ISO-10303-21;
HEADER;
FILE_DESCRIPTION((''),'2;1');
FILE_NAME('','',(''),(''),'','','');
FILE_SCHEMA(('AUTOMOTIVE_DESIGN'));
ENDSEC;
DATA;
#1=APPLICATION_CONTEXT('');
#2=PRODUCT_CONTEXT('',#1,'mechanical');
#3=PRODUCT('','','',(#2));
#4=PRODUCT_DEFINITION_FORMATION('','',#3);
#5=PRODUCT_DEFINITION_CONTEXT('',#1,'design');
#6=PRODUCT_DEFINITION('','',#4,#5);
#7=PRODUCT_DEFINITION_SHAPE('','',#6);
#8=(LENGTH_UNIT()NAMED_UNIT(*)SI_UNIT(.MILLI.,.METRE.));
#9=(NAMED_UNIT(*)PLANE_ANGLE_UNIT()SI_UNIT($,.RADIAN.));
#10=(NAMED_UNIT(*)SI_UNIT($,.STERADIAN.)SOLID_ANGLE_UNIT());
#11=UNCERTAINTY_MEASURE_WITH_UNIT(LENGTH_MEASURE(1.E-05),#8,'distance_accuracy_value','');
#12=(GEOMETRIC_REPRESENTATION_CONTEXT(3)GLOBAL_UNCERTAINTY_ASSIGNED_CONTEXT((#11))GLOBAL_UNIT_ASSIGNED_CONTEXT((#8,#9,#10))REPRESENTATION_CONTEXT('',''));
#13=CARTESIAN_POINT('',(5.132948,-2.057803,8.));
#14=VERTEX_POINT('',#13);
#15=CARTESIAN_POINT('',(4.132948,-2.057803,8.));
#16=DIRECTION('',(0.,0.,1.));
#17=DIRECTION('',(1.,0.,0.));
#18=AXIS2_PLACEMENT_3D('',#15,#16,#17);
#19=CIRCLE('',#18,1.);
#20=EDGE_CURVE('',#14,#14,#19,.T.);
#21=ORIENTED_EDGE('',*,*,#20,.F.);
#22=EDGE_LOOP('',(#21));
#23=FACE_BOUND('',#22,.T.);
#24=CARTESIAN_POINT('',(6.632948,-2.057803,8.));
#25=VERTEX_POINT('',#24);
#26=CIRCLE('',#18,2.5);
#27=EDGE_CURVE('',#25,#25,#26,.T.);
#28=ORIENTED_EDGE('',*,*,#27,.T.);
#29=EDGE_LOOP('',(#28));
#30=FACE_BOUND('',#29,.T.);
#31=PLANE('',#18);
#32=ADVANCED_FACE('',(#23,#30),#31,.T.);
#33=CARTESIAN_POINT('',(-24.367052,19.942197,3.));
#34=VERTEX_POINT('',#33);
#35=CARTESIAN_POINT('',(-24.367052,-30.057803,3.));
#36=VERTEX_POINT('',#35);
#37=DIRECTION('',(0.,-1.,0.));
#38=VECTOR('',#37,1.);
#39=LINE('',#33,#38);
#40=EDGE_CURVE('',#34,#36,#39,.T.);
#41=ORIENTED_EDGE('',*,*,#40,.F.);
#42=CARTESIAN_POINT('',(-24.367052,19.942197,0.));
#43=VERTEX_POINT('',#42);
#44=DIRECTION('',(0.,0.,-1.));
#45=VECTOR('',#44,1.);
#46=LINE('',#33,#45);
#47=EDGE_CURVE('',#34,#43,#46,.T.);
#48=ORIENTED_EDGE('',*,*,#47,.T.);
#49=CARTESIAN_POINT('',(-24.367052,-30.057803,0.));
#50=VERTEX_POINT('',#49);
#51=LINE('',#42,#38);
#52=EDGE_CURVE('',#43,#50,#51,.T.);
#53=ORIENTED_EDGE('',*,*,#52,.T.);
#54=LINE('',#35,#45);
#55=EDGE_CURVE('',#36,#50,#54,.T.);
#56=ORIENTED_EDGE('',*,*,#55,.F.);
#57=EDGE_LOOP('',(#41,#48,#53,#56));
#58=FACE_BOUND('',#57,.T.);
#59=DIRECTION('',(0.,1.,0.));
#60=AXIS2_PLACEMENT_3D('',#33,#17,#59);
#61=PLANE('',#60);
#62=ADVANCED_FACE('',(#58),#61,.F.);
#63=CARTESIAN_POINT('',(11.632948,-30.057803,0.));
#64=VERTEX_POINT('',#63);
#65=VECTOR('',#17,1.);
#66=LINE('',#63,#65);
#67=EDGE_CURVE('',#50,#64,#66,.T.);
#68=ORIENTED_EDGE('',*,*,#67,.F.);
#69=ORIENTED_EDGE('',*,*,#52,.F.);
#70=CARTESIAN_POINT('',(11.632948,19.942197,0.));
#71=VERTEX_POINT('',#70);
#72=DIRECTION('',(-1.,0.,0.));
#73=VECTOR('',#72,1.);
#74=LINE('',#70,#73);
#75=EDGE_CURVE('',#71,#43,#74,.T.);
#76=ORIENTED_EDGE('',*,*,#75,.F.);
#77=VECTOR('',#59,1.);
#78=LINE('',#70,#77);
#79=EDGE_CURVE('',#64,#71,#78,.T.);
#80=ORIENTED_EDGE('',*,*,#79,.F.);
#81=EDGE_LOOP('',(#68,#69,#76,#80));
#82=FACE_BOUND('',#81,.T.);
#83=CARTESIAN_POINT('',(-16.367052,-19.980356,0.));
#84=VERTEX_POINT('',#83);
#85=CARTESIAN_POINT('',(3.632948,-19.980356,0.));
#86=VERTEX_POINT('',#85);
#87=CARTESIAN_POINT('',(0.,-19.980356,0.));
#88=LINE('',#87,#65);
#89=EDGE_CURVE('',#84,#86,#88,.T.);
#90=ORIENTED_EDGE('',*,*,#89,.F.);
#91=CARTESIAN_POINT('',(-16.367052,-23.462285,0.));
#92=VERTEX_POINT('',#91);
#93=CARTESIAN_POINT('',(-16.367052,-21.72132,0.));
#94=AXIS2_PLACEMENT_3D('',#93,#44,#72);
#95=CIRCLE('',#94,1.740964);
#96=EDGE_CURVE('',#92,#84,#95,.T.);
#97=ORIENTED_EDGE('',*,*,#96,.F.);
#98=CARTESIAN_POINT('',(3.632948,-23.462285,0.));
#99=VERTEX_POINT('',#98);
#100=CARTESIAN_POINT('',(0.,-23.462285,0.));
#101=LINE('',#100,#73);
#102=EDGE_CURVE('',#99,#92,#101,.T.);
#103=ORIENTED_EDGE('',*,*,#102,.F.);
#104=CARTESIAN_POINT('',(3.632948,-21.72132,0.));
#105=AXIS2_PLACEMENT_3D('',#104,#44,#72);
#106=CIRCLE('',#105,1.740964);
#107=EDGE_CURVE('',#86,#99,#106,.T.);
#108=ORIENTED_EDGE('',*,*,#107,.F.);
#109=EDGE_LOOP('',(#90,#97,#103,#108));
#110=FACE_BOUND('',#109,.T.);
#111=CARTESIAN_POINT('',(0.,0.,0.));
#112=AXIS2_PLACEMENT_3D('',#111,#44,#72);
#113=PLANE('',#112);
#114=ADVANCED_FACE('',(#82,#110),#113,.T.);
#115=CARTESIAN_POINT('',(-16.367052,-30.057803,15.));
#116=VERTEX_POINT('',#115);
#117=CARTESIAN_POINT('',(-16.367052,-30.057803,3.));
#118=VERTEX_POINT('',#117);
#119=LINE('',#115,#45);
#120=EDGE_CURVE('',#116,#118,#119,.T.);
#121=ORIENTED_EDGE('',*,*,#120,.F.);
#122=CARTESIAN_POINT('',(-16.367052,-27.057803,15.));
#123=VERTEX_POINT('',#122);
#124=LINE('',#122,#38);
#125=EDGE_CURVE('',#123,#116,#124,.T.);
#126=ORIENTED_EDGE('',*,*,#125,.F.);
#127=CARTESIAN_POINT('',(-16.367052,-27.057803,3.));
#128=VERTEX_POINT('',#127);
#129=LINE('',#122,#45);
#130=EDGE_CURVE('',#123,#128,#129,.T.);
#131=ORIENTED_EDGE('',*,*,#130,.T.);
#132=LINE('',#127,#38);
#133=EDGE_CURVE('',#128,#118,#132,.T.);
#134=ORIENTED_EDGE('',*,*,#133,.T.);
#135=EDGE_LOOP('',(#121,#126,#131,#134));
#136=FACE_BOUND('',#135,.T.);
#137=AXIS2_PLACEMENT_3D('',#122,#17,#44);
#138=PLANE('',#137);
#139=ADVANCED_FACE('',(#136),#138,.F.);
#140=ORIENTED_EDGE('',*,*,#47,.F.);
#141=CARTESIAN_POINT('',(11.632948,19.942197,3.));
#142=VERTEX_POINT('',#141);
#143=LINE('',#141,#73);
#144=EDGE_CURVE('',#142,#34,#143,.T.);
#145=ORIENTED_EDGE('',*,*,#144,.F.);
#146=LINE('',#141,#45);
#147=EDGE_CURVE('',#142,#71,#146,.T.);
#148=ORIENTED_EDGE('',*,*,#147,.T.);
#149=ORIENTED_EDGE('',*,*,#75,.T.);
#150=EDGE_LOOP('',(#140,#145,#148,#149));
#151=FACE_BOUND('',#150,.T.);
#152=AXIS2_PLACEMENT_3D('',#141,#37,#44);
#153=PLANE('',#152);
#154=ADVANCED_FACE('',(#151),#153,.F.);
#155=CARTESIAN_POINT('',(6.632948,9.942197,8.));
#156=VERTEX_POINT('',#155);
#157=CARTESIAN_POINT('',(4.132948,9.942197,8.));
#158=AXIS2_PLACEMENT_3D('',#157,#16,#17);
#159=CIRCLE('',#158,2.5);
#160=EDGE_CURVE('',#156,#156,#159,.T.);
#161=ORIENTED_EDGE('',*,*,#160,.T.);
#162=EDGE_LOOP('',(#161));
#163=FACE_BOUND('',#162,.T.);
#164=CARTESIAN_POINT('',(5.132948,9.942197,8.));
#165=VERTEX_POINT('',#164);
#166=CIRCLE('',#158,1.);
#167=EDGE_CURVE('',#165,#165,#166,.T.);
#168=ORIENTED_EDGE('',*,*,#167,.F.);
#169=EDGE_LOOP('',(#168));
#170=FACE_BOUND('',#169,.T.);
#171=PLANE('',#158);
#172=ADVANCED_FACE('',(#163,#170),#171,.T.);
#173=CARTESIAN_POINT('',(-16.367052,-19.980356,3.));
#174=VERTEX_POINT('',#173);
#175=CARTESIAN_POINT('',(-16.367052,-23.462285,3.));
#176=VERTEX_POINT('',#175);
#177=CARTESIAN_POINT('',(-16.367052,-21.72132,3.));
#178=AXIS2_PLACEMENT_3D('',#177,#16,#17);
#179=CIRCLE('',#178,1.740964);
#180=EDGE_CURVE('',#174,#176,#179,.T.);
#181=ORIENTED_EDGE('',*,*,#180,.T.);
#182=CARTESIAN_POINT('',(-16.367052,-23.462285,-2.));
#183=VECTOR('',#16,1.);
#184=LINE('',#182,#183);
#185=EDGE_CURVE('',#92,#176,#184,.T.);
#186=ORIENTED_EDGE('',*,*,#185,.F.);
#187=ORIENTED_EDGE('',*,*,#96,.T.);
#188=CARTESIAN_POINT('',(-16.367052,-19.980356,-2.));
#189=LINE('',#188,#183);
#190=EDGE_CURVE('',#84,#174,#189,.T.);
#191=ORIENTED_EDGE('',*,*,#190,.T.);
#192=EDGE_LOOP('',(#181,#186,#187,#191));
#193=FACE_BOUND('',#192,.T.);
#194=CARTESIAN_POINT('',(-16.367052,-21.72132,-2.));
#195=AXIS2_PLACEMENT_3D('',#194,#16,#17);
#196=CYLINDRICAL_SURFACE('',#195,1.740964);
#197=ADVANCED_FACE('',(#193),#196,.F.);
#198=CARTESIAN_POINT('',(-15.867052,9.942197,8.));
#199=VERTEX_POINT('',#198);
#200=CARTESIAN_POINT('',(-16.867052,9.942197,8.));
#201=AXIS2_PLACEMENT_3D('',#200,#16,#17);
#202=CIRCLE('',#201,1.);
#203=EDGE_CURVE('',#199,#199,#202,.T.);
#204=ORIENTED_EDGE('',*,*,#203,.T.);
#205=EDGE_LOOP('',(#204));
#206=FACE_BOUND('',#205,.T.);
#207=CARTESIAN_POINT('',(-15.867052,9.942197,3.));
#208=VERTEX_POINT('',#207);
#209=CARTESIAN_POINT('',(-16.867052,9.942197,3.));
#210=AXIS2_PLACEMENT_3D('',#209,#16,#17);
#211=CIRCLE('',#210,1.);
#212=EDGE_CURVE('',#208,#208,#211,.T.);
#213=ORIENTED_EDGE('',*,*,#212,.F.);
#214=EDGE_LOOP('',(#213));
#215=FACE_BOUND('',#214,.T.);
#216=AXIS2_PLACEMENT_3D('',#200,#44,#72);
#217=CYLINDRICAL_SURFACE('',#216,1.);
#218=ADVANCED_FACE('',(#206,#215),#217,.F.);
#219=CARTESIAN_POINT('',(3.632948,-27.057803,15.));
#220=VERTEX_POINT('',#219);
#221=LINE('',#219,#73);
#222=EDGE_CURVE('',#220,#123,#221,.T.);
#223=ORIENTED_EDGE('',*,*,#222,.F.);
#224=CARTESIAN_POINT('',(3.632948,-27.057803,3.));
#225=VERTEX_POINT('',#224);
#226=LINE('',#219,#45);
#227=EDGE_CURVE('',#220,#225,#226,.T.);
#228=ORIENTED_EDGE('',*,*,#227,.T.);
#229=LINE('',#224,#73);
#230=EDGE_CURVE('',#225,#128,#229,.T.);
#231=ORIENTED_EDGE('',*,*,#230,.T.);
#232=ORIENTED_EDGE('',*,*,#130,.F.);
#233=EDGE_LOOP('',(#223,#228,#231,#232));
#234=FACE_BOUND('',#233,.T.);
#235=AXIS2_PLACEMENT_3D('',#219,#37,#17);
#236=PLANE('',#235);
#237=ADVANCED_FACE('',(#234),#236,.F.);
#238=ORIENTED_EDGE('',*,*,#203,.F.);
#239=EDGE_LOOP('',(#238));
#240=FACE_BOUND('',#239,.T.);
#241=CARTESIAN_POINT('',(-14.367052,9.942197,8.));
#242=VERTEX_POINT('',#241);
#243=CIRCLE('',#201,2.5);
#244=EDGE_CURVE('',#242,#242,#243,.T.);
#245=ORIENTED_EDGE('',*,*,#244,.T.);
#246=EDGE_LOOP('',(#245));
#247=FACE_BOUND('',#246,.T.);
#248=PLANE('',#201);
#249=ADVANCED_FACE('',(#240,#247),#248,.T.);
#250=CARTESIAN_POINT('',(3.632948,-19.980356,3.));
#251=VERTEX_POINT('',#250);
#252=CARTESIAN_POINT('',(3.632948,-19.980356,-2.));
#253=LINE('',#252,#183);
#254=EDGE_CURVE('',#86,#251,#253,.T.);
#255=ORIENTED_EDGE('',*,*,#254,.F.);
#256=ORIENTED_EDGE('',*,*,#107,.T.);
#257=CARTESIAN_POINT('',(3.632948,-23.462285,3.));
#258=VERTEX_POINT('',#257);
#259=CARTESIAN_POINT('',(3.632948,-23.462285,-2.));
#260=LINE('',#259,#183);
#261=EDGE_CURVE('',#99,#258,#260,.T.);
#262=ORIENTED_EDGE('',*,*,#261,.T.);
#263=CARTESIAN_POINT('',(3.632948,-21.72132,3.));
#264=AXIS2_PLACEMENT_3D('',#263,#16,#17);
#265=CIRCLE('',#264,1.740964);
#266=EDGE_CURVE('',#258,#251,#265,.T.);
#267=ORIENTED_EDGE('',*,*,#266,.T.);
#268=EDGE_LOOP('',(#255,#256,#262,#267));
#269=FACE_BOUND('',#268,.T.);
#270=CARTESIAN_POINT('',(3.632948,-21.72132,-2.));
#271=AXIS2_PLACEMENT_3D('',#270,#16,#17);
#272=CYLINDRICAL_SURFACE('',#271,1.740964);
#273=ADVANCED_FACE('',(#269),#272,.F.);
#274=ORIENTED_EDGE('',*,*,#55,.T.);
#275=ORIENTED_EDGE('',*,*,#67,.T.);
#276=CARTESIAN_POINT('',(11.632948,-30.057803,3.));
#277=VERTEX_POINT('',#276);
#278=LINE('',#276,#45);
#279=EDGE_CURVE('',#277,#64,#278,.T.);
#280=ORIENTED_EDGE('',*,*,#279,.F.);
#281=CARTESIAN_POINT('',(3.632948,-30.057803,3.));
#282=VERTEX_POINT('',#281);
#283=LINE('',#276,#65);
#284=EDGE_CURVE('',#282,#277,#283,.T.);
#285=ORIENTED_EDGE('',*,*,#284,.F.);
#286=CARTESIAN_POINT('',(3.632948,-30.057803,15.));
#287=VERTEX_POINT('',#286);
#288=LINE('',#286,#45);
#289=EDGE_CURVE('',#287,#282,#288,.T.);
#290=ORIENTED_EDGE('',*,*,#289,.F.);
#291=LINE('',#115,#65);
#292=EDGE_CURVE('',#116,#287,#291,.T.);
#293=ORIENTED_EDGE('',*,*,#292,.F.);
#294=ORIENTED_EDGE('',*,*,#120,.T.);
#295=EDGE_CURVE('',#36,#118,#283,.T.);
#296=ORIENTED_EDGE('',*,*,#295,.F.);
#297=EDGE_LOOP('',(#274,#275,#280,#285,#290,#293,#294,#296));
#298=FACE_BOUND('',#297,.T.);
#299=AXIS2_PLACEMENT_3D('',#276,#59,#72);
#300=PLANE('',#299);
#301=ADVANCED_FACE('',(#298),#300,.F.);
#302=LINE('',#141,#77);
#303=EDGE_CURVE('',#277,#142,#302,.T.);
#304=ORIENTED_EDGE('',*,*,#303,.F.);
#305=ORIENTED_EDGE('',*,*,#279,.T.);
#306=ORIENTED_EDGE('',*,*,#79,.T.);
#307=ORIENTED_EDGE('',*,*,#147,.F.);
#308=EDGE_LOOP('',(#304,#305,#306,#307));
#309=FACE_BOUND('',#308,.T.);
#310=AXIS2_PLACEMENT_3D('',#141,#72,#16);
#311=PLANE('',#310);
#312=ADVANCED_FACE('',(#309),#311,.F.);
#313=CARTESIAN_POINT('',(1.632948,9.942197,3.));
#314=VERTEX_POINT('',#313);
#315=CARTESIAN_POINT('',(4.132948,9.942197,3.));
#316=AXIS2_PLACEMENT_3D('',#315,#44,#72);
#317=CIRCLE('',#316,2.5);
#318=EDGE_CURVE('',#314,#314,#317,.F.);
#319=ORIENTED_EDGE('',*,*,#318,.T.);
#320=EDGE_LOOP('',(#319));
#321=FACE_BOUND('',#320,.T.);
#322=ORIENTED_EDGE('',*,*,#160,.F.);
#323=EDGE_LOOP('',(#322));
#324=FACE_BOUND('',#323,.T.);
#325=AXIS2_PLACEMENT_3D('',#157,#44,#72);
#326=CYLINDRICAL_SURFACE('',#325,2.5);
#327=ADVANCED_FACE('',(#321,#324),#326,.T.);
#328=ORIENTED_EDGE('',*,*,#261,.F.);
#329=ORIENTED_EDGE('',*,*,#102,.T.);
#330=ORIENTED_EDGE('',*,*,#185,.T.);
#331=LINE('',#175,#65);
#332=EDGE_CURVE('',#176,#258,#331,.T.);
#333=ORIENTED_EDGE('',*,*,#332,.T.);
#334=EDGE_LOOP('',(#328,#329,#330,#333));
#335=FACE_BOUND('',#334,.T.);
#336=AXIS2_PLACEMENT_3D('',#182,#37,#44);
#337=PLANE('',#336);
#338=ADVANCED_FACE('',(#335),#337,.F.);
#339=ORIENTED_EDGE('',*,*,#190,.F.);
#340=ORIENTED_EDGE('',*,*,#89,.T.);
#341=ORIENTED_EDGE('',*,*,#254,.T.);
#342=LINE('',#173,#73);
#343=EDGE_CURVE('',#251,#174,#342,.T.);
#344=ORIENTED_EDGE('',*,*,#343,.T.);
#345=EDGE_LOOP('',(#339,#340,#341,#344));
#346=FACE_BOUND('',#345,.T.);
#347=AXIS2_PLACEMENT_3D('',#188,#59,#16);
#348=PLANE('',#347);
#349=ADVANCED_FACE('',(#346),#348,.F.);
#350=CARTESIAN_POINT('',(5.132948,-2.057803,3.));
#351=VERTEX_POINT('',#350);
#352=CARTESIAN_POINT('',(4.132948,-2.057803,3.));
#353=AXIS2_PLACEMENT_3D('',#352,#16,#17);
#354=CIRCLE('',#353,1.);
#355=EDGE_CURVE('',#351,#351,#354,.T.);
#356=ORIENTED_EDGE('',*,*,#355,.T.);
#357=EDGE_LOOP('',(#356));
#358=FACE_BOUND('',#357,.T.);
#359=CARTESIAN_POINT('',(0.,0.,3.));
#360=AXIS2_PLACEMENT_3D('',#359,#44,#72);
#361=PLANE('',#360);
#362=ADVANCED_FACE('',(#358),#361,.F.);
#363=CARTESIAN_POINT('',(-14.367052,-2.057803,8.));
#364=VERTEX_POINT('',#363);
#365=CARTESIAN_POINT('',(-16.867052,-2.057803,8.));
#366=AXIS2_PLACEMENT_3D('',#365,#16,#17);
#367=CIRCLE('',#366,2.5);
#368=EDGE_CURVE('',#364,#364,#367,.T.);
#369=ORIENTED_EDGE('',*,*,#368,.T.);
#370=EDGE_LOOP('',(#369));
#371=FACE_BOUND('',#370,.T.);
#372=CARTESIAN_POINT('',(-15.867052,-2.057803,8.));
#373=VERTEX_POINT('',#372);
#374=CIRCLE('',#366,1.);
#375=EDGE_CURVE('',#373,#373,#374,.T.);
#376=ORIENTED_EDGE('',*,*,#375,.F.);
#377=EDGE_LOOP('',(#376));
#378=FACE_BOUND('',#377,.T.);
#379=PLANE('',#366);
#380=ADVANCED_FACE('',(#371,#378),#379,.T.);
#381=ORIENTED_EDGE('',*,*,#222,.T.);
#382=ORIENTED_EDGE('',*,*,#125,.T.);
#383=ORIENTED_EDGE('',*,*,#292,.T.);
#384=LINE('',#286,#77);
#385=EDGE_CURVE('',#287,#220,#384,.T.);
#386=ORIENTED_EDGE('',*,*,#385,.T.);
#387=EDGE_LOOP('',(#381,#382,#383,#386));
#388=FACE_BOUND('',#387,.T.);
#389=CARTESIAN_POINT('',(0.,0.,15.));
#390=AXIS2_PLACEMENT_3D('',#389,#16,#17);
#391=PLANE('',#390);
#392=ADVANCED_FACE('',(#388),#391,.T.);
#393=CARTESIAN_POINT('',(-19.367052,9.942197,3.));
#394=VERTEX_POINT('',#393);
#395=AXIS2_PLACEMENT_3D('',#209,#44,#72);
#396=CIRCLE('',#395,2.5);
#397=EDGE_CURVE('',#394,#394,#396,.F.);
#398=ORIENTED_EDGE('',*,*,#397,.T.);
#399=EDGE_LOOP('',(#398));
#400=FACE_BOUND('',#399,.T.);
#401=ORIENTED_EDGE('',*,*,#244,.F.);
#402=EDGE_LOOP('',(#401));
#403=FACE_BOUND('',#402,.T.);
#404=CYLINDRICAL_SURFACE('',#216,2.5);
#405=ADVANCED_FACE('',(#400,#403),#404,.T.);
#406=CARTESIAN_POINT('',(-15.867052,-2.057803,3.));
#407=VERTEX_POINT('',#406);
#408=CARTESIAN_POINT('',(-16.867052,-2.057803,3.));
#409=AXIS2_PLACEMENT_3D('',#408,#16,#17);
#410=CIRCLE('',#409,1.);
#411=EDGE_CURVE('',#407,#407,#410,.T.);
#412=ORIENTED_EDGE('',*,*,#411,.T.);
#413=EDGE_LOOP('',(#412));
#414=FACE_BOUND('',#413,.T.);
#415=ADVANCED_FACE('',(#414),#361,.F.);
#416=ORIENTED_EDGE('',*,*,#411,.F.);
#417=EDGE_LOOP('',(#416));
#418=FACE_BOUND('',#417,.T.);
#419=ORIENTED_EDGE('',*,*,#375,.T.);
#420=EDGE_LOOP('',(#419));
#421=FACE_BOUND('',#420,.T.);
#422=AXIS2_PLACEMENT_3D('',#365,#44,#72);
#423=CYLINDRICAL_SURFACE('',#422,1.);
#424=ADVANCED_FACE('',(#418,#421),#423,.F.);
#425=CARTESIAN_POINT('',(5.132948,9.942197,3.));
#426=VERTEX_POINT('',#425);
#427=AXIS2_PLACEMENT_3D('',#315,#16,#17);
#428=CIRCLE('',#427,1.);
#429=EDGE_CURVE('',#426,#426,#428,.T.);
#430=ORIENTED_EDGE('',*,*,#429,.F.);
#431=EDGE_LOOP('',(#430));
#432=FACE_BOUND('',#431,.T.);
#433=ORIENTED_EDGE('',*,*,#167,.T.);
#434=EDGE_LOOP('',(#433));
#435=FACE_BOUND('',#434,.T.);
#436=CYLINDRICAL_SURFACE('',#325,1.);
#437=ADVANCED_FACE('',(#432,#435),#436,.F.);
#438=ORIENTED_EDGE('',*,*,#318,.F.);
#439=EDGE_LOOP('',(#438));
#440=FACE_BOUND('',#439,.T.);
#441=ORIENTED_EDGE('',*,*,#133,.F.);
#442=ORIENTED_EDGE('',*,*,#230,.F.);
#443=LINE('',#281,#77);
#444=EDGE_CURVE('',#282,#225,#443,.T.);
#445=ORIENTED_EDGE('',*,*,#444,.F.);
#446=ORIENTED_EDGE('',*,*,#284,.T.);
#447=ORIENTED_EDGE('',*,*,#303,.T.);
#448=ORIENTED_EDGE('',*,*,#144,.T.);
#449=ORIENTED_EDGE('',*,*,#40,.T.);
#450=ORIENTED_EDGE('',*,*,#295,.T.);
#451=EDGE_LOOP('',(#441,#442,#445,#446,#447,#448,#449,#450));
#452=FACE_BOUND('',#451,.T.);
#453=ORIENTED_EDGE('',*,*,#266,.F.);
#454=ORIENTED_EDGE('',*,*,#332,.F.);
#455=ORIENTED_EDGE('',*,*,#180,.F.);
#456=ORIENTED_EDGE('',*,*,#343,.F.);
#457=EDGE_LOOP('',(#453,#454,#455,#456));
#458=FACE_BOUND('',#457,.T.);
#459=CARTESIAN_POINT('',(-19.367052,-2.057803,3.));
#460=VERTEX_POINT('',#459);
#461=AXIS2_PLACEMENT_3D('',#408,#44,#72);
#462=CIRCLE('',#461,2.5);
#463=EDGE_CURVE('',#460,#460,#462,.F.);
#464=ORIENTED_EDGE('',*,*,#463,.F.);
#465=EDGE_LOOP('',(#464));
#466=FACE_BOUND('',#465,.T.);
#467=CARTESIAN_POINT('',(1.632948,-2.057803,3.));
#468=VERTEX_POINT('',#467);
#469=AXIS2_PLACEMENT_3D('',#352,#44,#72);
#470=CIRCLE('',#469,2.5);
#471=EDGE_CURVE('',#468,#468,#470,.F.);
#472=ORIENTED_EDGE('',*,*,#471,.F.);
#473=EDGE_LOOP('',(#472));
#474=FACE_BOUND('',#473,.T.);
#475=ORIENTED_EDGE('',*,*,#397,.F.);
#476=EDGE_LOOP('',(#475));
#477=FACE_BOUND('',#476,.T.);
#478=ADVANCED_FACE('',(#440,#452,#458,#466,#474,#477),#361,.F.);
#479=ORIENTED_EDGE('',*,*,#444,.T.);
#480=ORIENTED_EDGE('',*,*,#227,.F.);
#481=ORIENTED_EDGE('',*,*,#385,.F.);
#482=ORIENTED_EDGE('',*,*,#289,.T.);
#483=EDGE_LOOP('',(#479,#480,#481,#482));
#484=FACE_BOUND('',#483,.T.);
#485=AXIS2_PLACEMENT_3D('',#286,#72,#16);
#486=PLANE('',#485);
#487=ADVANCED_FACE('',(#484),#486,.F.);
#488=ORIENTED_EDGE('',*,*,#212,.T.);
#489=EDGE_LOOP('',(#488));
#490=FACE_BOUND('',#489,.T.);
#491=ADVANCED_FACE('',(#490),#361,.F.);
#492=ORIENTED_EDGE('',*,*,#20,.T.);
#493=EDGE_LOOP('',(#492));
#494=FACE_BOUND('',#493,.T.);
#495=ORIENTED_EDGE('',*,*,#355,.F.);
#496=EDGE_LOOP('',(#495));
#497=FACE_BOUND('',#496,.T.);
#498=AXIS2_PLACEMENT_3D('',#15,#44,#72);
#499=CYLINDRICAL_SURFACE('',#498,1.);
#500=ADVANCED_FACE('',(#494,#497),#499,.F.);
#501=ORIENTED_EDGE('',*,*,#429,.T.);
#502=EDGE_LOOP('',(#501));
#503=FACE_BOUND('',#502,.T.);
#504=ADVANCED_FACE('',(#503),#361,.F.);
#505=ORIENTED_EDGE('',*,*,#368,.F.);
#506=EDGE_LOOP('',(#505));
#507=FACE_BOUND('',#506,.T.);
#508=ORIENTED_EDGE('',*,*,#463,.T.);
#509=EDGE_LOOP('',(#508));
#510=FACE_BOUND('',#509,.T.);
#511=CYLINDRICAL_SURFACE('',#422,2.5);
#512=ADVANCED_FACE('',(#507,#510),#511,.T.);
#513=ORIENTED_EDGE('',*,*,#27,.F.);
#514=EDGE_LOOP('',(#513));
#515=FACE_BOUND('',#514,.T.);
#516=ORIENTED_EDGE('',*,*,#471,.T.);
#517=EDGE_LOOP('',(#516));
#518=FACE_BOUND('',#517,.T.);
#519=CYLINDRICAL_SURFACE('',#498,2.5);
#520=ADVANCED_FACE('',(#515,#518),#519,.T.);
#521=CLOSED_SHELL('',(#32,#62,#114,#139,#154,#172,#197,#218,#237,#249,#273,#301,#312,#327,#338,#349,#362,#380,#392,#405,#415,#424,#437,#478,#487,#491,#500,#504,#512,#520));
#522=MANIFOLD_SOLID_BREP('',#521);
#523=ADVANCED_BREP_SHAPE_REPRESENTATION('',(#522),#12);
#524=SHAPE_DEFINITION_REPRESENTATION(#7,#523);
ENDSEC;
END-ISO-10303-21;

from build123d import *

# Parameters (mm, degrees)
SKETCH1_W           = 36
SKETCH1_H           = 50
BOSS_EXTRUDE1_DEPTH = 3
SKETCH2_W           = 20
SKETCH2_H           = 3
BOSS_EXTRUDE2_DEPTH = 12
CUT_EXTRUDE1_DEPTH  = 5
SKETCH5_R           = 2.5
SKETCH5_R_2         = 1
BOSS_EXTRUDE4_DEPTH = 5


with BuildPart() as part:
    # Sketch1 → Boss-Extrude1 (new body)
    with BuildSketch(Plane.XY):
        with Locations((-6.367052023, -5.057803468)):
            Rectangle(SKETCH1_W, SKETCH1_H)
    extrude(amount=BOSS_EXTRUDE1_DEPTH)

    # Sketch2 → Boss-Extrude2 (add)
    with BuildSketch(Plane.XY.offset(3)):
        with Locations((-6.367052023, -28.557803468)):
            Rectangle(SKETCH2_W, SKETCH2_H)
    extrude(amount=BOSS_EXTRUDE2_DEPTH)

    # Sketch4 → Cut-Extrude1 (cut)
    with BuildSketch(Plane.XY.offset(3)):
        with BuildLine():
            Line((-16.367052023, -19.980355704), (3.632947977, -19.980355704))
            ThreePointArc((3.632947977, -19.980355704), (5.373912404, -21.721320132), (3.632947977, -23.462284559))
            Line((3.632947977, -23.462284559), (-16.367052023, -23.462284559))
            ThreePointArc((-16.367052023, -23.462284559), (-18.108016451, -21.721320132), (-16.367052023, -19.980355704))
        make_face()
    extrude(amount=-CUT_EXTRUDE1_DEPTH, mode=Mode.SUBTRACT)

    # Sketch5 → Boss-Extrude4 (add)
    # profile 1 of 4: a face of its own
    with BuildSketch(Plane.XY.offset(3)):
        with Locations(Location((4.132947977, 9.942196532, 0), (0, 0, 180))):
            Circle(SKETCH5_R)
        with Locations((4.132947977, 9.942196532)):
            Circle(SKETCH5_R_2, mode=Mode.SUBTRACT)
    # profile 2 of 4: a face of its own
    with BuildSketch(Plane.XY.offset(3)):
        with Locations(Location((-16.867052023, 9.942196532, 0), (0, 0, 180))):
            Circle(SKETCH5_R)
        with Locations((-16.867052023, 9.942196532)):
            Circle(SKETCH5_R_2, mode=Mode.SUBTRACT)
    # profile 3 of 4: a face of its own
    with BuildSketch(Plane.XY.offset(3)):
        with Locations(Location((-16.867052023, -2.057803468, 0), (0, 0, 180))):
            Circle(SKETCH5_R)
        with Locations((-16.867052023, -2.057803468)):
            Circle(SKETCH5_R_2, mode=Mode.SUBTRACT)
    # profile 4 of 4: a face of its own
    with BuildSketch(Plane.XY.offset(3)):
        with Locations(Location((4.132947977, -2.057803468, 0), (0, 0, 180))):
            Circle(SKETCH5_R)
        with Locations((4.132947977, -2.057803468)):
            Circle(SKETCH5_R_2, mode=Mode.SUBTRACT)
    extrude(amount=BOSS_EXTRUDE4_DEPTH)


solid = part.part
